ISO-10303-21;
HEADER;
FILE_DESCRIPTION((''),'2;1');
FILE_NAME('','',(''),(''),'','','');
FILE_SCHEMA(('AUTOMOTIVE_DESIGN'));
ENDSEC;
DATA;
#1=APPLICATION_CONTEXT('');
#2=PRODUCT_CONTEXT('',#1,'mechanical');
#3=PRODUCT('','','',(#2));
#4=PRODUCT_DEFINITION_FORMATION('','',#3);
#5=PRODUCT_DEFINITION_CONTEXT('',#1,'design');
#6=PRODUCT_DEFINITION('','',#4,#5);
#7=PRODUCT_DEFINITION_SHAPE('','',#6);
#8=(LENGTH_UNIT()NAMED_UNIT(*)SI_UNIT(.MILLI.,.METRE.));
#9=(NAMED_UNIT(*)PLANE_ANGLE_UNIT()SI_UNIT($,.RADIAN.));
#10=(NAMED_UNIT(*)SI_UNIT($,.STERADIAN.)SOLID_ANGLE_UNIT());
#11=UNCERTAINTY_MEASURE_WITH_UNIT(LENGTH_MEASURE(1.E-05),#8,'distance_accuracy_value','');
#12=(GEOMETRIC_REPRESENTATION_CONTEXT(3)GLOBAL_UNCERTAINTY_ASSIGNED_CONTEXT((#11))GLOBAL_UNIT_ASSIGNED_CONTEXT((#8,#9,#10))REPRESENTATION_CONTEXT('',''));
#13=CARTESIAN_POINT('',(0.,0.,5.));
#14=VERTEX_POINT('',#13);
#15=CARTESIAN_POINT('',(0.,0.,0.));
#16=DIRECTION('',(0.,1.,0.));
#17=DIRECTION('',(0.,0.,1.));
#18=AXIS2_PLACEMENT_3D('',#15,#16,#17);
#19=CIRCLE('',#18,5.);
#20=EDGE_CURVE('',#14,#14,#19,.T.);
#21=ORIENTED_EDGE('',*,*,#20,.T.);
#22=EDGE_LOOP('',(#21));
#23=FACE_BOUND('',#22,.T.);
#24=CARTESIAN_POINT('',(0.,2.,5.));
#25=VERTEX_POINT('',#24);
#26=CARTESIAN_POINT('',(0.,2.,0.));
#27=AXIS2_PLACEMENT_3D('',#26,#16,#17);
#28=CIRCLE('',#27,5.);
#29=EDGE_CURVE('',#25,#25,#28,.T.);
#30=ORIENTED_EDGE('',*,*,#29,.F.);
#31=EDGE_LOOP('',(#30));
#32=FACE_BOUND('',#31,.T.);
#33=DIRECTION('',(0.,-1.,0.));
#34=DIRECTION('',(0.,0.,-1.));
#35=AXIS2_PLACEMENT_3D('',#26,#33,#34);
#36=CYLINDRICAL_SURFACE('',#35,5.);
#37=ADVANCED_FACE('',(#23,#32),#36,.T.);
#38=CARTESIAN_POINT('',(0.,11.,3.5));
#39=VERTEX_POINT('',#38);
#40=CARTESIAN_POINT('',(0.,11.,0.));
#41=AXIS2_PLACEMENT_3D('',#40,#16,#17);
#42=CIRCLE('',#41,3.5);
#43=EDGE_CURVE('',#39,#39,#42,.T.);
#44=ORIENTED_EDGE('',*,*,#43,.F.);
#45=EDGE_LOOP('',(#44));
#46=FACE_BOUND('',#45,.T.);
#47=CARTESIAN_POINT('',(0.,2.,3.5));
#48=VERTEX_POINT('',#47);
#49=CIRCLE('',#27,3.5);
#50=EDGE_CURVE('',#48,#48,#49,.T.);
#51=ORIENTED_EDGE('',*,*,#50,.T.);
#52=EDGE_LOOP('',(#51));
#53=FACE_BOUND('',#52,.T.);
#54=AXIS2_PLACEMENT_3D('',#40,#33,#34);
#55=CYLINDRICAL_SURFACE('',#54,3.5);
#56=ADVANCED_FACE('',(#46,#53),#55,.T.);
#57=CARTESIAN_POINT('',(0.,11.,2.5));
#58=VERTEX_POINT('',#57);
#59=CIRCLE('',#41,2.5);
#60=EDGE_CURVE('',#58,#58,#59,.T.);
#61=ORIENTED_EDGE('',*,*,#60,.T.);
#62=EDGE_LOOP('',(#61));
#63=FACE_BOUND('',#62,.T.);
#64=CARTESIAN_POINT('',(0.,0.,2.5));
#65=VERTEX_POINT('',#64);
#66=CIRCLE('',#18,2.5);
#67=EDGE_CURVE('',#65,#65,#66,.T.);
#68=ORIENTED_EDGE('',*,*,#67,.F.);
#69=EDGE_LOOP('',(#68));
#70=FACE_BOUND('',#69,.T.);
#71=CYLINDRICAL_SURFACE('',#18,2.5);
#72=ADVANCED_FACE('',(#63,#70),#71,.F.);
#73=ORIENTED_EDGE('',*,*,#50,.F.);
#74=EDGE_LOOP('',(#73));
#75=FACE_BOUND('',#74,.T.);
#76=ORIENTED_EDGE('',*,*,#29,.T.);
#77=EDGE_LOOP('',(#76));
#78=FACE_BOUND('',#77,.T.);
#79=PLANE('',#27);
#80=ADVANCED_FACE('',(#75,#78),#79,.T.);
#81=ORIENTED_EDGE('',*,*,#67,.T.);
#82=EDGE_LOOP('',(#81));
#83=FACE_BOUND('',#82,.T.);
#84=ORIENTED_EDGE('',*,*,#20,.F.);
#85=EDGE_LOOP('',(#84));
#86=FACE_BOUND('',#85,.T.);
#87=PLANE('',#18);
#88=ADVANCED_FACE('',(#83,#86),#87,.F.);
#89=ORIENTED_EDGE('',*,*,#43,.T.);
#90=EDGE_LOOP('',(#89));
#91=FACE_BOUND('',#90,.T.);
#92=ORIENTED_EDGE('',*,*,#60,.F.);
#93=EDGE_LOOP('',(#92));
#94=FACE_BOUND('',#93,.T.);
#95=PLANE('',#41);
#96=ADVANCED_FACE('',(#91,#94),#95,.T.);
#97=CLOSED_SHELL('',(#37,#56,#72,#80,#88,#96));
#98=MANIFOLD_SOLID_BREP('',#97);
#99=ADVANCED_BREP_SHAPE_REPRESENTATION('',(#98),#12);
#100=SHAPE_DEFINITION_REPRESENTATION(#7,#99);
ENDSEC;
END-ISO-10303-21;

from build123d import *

# Parameters (mm, degrees)
SKETCH_1_R          = 5
EXTRUDE_1_DEPTH     = 2
SKETCH_2_R          = 3.5
EXTRUDE_2_DEPTH     = 9
SKETCH_3_R          = 2.5
CUT_EXTRUDE_1_DEPTH = 12


with BuildPart() as part:
    # Эскиз1 → Бобышка-Вытянуть1 (new body)
    with BuildSketch(Plane(origin=(0, 0, 0), x_dir=(1, 0, 0), z_dir=(0, 1, 0))):
        Circle(SKETCH_1_R)
    extrude(amount=EXTRUDE_1_DEPTH)

    # Эскиз2 → Бобышка-Вытянуть2 (add)
    with BuildSketch(Plane(origin=(0, 2, 0), x_dir=(1, 0, 0), z_dir=(0, 1, 0))):
        Circle(SKETCH_2_R)
    extrude(amount=EXTRUDE_2_DEPTH)

    # Эскиз3 → Вырез-Вытянуть1 (cut, through all)
    with BuildSketch(Plane(origin=(0, 11, 0), x_dir=(1, 0, 0), z_dir=(0, 1, 0))):
        Circle(SKETCH_3_R)
    extrude(amount=-CUT_EXTRUDE_1_DEPTH, mode=Mode.SUBTRACT)


solid = part.part
